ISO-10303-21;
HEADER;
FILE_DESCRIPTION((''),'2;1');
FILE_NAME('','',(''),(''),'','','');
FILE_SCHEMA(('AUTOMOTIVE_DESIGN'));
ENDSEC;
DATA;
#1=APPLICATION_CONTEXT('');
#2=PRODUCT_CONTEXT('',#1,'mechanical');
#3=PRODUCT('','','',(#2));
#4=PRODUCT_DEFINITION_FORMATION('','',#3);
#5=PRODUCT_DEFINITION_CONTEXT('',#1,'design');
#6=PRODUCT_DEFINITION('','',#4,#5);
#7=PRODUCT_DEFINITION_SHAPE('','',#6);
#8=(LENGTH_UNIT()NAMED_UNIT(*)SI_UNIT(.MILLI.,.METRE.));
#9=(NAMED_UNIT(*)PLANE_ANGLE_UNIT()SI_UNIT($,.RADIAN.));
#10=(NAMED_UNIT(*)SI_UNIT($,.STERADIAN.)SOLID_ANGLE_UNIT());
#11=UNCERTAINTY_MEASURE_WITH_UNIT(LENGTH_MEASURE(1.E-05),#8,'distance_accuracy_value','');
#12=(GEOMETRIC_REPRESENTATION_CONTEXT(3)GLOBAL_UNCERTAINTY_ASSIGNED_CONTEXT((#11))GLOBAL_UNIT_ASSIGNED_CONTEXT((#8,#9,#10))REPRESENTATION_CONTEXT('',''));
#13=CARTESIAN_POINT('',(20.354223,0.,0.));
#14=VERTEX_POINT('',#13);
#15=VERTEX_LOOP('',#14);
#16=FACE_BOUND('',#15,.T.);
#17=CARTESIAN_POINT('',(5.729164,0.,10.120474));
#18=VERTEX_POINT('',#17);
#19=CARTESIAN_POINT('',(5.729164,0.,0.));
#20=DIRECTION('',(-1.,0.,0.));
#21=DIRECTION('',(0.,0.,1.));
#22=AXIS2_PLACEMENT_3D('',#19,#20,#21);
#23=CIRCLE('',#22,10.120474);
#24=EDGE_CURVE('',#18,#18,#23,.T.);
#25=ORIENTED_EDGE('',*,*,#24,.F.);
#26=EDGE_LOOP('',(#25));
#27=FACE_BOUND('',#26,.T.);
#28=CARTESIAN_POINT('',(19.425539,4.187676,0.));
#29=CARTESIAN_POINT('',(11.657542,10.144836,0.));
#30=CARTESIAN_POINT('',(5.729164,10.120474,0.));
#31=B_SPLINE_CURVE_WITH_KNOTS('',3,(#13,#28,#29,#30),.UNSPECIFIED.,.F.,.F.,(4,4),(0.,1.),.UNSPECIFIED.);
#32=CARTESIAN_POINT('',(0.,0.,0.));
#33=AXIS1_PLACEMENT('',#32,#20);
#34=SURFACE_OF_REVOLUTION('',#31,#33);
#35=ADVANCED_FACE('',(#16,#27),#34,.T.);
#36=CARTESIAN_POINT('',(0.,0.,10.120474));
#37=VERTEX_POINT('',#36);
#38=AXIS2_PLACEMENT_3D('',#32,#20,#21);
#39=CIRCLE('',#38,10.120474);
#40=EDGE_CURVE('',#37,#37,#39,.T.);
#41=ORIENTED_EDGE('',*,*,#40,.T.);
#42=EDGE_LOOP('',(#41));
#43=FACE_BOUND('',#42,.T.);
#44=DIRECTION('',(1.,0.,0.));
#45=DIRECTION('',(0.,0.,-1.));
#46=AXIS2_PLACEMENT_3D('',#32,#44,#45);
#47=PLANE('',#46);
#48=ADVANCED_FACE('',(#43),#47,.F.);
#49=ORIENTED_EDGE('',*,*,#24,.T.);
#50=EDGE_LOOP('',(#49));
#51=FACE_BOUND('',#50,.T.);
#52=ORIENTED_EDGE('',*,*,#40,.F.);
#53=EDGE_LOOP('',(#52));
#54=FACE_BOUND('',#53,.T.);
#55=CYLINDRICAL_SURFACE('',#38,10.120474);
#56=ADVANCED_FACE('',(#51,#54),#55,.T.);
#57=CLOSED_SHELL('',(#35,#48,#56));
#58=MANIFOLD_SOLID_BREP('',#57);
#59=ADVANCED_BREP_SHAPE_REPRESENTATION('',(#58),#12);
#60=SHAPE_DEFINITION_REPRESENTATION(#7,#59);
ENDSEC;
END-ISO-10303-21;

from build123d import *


with BuildPart() as part:
    # Sketch1 → Revolve1 (revolve)
    with BuildSketch(Plane.XY, mode=Mode.PRIVATE) as revolve1_sk:
        with BuildLine():
            Line((0, 0), (0, 10.12047406))
            Line((0, 10.12047406), (5.729163504, 10.12047406))
            add(Edge.make_bspline(
                [(5.729163504, 10.12047406), (11.657541744, 10.144836097), (19.425538575, 4.187675631), (20.354222937, 0)],
                knots=[0, 0, 0, 0, 1, 1, 1, 1], degree=3))
            Line((20.354222937, 0), (0, 0))
        make_face()
    revolve(revolve1_sk.sketch.rotate(Axis((0, 0, 0), (1, 0, 0)), 90), axis=Axis((0, 0, 0), (1, 0, 0)))


solid = part.part
